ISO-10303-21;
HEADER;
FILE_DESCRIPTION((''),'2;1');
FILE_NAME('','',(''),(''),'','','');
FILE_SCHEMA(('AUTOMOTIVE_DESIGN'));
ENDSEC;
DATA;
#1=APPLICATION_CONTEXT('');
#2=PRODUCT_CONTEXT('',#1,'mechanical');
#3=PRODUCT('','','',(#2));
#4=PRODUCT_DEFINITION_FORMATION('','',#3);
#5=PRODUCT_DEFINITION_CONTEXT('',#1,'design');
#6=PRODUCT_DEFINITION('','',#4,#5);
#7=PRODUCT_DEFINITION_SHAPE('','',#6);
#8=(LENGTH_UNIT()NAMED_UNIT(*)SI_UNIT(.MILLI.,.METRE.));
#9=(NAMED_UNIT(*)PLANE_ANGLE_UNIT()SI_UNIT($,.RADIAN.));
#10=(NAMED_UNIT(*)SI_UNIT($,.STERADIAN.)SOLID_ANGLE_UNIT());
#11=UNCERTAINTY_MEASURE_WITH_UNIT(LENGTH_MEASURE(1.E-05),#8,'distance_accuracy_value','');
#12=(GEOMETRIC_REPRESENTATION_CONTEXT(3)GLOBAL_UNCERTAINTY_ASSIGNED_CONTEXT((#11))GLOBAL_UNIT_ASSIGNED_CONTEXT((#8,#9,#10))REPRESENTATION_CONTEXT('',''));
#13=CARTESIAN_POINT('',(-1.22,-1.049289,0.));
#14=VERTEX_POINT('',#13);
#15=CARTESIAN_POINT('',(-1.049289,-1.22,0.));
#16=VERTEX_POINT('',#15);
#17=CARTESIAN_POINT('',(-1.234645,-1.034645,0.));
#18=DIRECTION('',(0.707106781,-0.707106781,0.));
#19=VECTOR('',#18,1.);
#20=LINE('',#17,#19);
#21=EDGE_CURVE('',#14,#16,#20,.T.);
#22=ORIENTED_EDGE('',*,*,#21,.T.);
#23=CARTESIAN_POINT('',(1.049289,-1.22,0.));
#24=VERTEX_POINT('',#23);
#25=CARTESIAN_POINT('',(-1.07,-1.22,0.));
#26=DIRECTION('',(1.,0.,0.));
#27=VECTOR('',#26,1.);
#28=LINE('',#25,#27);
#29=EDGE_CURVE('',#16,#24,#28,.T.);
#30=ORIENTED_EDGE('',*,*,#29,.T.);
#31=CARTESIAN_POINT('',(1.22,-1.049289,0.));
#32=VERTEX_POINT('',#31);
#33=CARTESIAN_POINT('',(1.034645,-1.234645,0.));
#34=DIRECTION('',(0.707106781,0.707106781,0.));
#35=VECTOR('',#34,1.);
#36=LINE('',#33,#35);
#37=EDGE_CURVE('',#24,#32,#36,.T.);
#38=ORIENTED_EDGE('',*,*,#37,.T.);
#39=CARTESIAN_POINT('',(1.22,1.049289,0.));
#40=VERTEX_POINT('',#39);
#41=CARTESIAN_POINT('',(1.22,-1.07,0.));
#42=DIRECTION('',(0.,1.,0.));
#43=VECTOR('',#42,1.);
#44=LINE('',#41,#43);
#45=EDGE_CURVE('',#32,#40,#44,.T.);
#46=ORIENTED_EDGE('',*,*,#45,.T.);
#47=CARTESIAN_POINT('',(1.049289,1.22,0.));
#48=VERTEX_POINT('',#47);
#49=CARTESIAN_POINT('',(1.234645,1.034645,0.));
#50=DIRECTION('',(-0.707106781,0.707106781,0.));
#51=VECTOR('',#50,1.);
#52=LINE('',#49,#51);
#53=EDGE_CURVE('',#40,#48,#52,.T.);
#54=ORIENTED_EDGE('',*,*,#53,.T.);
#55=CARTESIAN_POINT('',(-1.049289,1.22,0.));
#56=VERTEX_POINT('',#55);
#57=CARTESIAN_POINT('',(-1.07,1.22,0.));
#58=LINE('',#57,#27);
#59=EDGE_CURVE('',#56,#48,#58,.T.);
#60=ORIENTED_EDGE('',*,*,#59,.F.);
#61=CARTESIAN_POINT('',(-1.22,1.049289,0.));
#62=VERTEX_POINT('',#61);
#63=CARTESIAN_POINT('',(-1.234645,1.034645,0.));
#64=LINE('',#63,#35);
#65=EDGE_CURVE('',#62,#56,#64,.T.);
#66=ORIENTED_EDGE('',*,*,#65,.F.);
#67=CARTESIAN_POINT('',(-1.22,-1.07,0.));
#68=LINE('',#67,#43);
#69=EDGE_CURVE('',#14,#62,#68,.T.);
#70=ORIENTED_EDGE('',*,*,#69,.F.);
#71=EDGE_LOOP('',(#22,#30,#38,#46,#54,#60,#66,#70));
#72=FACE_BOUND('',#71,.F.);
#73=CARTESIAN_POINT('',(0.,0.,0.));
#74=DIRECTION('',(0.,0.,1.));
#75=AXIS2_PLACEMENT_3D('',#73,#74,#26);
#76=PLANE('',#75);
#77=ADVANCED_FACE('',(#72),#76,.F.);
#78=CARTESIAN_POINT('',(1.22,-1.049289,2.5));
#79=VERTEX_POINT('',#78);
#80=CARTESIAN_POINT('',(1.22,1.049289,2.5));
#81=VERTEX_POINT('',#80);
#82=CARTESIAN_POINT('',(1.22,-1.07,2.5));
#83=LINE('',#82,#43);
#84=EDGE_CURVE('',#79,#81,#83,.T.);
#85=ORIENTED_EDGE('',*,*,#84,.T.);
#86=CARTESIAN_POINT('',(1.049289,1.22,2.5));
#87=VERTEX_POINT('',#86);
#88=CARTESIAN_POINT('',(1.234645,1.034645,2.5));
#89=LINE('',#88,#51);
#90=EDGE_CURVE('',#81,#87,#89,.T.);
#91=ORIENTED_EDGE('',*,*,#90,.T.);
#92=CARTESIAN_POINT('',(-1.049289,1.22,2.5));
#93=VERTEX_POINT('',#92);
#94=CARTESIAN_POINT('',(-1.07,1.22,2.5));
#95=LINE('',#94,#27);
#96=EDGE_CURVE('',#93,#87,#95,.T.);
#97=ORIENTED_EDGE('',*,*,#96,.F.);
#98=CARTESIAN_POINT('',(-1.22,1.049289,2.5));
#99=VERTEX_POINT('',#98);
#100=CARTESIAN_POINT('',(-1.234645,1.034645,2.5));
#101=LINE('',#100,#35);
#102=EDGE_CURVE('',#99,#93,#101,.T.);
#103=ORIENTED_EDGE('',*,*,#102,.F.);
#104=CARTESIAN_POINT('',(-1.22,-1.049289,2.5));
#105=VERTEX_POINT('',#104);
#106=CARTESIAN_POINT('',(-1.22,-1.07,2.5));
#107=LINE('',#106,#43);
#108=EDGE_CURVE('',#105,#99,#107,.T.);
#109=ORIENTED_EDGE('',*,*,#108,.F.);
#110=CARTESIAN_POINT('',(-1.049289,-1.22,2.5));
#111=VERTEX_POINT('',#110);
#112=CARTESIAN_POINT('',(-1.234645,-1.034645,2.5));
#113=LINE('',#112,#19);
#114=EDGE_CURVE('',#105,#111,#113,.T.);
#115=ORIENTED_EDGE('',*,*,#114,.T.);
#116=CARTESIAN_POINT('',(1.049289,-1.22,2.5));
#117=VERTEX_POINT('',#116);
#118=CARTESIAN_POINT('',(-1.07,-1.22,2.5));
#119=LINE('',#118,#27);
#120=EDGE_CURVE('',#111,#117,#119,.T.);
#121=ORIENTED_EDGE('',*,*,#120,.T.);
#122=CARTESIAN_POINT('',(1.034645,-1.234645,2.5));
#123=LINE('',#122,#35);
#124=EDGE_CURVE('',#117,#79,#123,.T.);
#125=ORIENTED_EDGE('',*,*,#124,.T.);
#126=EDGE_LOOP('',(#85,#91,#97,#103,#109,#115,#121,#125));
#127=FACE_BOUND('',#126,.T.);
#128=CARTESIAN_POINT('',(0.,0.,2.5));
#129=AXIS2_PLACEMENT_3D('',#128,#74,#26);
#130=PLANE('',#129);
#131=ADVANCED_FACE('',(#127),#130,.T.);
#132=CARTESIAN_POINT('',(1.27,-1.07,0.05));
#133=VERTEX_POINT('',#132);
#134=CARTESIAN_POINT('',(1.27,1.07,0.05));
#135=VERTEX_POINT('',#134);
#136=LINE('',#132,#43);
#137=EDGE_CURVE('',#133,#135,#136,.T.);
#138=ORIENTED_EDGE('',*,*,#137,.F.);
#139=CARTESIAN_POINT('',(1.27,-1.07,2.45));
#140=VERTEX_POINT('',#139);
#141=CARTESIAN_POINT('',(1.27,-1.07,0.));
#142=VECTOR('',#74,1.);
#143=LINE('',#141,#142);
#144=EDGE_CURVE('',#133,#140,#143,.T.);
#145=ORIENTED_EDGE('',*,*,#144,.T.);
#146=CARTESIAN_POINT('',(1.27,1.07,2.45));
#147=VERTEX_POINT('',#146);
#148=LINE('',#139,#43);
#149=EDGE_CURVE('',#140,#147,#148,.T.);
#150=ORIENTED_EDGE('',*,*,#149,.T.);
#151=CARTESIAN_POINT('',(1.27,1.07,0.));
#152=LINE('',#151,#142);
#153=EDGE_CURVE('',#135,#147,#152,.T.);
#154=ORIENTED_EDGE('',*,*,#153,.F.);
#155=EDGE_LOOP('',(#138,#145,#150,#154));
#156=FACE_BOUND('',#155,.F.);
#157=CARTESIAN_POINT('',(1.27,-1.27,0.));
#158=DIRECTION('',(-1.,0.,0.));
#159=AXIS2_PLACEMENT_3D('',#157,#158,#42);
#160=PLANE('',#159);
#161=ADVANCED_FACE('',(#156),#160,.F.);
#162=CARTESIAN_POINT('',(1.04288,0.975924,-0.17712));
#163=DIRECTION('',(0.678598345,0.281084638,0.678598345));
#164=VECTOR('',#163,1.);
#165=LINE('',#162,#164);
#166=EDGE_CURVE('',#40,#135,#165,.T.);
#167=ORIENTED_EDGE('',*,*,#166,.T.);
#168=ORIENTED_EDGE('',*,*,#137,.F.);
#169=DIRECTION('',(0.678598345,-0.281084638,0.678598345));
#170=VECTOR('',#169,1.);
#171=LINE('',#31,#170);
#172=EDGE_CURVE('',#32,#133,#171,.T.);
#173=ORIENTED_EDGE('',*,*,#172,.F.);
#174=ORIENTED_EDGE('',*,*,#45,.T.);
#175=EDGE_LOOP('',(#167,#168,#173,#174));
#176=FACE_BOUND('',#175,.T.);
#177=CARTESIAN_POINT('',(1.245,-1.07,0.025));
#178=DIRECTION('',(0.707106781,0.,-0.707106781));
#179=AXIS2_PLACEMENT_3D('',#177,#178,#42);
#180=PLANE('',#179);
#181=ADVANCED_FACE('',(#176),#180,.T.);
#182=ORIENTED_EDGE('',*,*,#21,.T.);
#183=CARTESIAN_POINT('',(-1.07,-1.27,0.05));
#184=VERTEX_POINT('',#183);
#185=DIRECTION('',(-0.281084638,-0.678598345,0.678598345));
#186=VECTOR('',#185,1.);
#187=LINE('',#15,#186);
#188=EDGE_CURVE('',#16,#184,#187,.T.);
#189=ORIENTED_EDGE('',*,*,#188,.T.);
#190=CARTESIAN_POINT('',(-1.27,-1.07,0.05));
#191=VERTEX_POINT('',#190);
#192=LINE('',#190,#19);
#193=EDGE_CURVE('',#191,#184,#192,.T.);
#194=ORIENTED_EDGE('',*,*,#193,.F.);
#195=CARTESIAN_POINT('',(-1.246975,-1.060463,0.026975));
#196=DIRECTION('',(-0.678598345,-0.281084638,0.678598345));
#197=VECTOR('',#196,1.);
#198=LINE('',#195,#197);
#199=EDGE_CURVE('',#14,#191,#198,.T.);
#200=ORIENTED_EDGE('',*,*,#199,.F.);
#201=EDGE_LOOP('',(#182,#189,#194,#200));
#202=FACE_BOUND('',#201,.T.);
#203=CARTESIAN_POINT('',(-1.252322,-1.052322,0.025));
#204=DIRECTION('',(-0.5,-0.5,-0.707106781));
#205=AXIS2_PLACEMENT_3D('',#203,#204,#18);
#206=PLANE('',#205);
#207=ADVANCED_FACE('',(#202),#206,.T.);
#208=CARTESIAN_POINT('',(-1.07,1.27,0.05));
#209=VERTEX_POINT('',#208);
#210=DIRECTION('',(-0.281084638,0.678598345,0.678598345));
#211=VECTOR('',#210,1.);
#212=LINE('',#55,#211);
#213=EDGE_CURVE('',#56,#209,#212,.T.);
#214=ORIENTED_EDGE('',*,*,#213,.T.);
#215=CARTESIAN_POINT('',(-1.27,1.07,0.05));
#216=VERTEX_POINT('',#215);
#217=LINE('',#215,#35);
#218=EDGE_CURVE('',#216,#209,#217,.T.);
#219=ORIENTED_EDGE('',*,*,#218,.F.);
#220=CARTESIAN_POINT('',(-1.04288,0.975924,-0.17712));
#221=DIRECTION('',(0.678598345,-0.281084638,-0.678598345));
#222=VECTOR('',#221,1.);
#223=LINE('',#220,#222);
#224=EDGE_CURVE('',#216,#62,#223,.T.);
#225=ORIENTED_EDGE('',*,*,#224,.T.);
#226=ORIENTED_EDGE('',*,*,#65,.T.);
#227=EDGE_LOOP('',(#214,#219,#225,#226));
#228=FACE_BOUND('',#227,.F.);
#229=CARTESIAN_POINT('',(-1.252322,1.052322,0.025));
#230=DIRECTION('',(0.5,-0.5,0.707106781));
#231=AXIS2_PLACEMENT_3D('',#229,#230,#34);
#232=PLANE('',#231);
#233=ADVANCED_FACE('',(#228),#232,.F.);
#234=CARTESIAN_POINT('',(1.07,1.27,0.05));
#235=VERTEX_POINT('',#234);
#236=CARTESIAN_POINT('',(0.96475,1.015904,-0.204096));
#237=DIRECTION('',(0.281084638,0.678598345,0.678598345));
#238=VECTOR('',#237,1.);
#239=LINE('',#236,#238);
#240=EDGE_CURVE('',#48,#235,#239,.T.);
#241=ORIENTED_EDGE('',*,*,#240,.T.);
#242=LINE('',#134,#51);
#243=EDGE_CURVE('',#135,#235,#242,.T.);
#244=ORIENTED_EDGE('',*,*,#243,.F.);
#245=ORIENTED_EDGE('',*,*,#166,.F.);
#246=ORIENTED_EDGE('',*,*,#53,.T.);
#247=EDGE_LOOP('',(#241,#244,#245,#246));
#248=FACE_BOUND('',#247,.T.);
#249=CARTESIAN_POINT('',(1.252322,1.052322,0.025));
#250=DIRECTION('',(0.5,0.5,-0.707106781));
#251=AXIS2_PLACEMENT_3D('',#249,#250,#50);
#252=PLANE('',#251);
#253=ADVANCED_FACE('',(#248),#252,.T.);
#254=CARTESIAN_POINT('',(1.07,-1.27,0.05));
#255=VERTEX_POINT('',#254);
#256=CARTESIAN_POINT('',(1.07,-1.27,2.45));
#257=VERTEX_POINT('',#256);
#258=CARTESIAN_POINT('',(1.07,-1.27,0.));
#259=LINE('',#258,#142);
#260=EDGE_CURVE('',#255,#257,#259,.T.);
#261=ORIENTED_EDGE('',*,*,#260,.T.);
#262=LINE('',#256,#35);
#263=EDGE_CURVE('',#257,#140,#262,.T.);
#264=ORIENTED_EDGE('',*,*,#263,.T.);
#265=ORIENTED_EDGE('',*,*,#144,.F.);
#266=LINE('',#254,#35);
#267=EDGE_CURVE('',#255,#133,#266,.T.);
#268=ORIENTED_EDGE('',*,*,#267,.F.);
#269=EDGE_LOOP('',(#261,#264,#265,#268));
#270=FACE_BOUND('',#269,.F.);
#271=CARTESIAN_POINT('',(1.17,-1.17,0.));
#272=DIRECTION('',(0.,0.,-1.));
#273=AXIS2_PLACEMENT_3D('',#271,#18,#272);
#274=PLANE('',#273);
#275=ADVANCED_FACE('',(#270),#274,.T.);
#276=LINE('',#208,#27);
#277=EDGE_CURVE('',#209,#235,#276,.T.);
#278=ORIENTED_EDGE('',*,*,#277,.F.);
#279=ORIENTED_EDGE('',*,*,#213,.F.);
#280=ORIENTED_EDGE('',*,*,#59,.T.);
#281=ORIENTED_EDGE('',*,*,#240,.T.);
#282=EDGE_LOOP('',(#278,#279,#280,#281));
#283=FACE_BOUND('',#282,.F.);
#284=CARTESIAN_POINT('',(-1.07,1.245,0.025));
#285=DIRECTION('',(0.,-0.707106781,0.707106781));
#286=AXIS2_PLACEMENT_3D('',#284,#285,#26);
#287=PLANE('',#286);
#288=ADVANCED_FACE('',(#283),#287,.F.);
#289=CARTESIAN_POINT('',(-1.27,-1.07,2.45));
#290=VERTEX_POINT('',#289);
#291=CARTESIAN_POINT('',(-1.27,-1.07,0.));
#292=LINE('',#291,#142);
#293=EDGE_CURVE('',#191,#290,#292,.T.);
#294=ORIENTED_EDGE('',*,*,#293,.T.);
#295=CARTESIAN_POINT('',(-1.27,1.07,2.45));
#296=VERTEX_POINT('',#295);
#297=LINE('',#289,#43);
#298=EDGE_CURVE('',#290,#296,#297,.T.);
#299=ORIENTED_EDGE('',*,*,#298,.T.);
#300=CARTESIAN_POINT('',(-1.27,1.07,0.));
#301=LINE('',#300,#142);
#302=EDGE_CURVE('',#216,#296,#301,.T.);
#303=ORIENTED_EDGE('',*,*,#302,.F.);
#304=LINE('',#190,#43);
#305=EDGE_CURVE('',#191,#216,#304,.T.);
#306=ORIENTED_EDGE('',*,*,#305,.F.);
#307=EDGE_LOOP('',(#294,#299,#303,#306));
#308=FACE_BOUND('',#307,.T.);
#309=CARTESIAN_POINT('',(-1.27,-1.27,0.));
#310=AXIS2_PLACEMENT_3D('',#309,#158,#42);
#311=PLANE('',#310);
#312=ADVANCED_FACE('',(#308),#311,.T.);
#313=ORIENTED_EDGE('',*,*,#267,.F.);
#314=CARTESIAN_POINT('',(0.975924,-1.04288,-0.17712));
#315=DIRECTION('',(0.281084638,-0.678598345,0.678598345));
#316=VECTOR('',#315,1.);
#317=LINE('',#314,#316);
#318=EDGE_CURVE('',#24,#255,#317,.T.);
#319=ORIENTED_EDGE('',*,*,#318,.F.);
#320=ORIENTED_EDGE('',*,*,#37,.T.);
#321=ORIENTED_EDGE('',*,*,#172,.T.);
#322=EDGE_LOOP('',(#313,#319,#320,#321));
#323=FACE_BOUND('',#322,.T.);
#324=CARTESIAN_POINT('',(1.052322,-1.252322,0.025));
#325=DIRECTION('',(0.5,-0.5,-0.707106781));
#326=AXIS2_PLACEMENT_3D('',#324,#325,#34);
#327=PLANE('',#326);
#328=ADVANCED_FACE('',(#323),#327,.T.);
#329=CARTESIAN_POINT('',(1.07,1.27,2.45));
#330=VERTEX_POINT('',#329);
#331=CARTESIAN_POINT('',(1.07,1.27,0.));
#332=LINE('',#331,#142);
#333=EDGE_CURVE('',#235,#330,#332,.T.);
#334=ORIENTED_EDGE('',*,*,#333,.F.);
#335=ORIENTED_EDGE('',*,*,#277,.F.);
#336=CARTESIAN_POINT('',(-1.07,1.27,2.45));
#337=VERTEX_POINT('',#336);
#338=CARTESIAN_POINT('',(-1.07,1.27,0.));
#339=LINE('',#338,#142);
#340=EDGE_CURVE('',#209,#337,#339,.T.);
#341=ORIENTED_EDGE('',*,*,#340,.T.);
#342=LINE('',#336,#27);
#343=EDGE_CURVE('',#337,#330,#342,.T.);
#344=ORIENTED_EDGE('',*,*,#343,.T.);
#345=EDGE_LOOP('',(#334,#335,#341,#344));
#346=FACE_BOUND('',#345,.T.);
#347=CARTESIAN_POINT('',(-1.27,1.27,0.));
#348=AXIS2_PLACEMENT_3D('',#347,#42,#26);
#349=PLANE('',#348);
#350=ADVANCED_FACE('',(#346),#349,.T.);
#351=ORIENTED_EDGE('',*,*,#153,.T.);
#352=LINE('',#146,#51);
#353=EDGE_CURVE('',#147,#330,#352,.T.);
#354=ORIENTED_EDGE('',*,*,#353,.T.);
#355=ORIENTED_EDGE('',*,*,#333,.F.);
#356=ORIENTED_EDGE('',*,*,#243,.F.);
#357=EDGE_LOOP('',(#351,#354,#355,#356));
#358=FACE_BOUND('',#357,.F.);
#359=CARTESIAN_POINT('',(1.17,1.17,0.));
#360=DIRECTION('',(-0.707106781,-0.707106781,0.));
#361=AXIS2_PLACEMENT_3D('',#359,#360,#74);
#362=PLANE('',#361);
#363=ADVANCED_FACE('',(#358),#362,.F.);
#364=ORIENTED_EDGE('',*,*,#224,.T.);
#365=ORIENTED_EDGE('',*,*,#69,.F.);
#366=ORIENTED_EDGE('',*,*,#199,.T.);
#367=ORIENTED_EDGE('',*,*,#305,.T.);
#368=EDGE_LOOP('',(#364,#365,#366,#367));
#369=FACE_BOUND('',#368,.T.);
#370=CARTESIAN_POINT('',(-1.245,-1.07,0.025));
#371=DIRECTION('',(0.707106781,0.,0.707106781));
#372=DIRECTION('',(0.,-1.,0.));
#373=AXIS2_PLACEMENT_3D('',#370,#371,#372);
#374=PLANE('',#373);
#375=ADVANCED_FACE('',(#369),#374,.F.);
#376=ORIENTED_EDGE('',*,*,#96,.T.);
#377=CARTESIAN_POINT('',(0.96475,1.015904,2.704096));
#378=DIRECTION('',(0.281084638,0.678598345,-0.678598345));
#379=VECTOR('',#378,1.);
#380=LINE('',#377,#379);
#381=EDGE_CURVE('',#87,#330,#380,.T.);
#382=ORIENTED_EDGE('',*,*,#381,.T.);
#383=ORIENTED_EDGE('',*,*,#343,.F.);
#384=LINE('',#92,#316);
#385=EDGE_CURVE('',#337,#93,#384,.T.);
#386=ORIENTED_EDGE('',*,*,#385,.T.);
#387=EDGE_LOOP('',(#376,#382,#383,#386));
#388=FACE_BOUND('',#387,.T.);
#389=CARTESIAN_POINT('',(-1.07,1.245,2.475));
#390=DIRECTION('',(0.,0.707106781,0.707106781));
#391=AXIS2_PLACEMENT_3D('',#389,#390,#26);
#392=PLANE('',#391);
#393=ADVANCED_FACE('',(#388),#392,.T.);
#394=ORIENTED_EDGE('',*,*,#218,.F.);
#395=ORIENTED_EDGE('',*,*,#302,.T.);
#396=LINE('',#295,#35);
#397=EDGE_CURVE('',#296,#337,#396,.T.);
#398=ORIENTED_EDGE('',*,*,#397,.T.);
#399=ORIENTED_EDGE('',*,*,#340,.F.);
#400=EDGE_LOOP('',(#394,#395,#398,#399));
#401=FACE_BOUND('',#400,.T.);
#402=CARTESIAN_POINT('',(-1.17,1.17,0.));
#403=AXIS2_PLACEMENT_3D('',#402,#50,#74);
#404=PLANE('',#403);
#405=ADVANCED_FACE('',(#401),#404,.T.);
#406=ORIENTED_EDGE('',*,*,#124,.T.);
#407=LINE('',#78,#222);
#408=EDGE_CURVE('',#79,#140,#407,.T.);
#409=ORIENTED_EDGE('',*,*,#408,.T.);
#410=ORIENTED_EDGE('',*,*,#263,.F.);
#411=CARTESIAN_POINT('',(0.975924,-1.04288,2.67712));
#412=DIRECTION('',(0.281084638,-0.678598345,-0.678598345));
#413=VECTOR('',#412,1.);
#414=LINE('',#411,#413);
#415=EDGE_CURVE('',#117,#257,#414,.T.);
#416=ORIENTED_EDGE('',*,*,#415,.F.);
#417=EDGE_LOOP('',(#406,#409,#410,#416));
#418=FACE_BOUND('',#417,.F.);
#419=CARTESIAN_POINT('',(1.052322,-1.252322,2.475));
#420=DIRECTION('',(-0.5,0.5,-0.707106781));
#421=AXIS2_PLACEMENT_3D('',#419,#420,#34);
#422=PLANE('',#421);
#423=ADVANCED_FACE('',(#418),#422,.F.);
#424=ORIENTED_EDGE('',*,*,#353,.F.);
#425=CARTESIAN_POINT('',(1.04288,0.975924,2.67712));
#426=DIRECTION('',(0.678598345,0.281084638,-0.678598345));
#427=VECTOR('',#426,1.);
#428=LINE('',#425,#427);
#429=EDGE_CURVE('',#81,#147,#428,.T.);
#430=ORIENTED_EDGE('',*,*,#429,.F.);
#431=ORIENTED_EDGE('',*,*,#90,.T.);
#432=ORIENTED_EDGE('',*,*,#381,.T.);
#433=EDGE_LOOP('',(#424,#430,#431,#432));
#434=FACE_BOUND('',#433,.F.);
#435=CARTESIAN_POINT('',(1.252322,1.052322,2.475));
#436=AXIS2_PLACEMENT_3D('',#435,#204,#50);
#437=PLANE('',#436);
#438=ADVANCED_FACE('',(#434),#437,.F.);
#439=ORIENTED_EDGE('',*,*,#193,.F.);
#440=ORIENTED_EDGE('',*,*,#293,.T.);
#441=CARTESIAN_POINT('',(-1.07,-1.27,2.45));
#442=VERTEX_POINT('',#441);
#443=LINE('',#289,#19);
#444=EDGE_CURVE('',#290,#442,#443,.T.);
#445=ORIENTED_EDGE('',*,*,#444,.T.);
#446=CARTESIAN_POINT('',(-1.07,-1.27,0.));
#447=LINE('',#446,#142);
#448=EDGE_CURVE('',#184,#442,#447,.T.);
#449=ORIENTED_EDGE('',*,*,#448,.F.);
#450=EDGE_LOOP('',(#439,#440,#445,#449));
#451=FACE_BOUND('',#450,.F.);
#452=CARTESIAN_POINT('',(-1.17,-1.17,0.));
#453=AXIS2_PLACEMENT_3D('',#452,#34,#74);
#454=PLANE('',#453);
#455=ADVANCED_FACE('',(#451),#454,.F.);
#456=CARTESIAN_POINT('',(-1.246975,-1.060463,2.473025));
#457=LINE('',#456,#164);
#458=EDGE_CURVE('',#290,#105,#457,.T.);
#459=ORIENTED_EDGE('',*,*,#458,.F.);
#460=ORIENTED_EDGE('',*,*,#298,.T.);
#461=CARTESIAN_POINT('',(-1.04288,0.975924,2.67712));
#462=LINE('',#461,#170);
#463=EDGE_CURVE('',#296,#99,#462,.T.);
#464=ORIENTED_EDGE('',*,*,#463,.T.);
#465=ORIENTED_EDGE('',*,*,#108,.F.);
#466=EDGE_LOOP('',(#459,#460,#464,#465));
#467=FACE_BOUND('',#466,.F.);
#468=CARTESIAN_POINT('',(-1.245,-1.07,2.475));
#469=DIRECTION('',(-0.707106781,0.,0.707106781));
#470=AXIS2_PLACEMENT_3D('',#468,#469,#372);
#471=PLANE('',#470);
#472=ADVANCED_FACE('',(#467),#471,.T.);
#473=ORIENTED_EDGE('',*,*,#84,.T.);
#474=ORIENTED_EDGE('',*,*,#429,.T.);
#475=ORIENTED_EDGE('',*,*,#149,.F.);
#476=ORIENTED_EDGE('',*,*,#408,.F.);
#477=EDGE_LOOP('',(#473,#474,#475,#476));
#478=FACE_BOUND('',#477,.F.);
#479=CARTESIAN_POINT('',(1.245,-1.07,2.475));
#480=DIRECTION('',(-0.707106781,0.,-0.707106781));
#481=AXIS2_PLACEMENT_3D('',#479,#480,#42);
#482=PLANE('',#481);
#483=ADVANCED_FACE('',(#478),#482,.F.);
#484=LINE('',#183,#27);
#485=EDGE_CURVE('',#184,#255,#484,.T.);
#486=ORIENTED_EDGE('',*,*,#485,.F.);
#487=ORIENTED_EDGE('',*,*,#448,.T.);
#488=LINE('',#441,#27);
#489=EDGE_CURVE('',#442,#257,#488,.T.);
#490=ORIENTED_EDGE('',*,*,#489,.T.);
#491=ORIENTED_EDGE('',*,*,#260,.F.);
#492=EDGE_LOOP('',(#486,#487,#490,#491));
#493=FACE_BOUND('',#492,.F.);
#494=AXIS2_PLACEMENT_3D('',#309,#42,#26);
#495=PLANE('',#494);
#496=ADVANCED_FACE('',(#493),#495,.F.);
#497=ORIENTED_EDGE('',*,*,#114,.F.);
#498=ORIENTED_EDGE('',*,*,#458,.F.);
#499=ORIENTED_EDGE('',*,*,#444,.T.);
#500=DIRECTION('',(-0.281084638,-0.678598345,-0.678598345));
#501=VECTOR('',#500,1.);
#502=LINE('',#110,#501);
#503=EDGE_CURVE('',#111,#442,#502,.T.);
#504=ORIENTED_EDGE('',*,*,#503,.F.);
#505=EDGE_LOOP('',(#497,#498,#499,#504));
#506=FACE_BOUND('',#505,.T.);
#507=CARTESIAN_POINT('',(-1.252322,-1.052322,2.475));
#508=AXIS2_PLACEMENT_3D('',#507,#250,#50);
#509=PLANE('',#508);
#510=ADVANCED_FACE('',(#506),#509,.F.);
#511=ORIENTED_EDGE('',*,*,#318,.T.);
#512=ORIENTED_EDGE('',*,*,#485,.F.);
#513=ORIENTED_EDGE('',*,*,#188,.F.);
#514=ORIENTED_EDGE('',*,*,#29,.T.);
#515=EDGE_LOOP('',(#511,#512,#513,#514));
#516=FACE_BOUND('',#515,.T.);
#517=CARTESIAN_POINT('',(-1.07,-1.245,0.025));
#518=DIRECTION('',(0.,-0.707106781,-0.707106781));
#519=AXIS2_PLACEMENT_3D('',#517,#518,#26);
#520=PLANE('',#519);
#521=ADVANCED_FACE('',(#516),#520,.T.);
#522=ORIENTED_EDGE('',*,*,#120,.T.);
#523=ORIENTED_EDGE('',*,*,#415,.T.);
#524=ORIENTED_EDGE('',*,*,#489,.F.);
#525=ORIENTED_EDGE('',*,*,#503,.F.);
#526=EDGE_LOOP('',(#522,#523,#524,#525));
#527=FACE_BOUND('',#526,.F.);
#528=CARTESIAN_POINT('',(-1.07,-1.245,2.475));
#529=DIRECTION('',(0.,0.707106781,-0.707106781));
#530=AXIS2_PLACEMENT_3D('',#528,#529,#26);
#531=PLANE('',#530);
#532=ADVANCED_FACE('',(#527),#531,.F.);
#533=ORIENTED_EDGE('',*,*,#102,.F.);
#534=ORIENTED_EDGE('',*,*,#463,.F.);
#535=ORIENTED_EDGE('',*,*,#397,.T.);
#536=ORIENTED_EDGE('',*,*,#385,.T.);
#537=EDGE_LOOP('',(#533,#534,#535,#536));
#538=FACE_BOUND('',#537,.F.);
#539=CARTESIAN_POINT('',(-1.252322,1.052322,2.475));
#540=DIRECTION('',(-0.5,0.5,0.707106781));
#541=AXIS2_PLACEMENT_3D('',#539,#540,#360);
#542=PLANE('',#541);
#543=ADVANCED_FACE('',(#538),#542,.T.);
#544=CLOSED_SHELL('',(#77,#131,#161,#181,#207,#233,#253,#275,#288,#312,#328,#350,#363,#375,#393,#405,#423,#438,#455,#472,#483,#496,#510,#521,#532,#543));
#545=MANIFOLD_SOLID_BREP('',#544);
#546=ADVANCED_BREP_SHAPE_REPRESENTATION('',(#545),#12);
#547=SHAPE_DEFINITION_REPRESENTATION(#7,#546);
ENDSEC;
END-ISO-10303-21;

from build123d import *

# Parameters (mm, degrees)
SKETCH212_W     = 2.54
SKETCH212_H     = 2.54
PAD083_DEPTH    = 2.5
CHAMFER020_SIZE = 0.2
CHAMFER019_SIZE = 0.05


with BuildPart() as part:
    # Sketch212 → Pad083 (new body)
    with BuildSketch(Plane.XY):
        Rectangle(SKETCH212_W, SKETCH212_H)
    extrude(amount=PAD083_DEPTH)

    # Chamfer020
    chamfer020_edges = [part.edges().sort_by_distance(p)[0] for p in [
        (1.27, -1.27, 1.25),
        (-1.27, -1.27, 1.25),
        (1.27, 1.27, 1.25),
        (-1.27, 1.27, 1.25),
    ]]
    chamfer(chamfer020_edges, length=CHAMFER020_SIZE)

    # Chamfer019
    chamfer019_edges = [part.edges().sort_by_distance(p)[0] for p in [
        (0, -1.27, 2.5),
        (-1.17, -1.17, 2.5),
        (1.17, -1.17, 2.5),
        (-1.27, 0, 2.5),
        (1.27, 0, 2.5),
        (-1.17, 1.17, 2.5),
        (1.17, 1.17, 2.5),
        (0, 1.27, 2.5),
        (0, -1.27, 0),
        (-1.17, -1.17, 0),
        (1.17, -1.17, 0),
        (-1.27, 0, 0),
        (1.27, 0, 0),
        (-1.17, 1.17, 0),
        (1.17, 1.17, 0),
        (0, 1.27, 0),
    ]]
    chamfer(chamfer019_edges, length=CHAMFER019_SIZE)


solid = part.part
